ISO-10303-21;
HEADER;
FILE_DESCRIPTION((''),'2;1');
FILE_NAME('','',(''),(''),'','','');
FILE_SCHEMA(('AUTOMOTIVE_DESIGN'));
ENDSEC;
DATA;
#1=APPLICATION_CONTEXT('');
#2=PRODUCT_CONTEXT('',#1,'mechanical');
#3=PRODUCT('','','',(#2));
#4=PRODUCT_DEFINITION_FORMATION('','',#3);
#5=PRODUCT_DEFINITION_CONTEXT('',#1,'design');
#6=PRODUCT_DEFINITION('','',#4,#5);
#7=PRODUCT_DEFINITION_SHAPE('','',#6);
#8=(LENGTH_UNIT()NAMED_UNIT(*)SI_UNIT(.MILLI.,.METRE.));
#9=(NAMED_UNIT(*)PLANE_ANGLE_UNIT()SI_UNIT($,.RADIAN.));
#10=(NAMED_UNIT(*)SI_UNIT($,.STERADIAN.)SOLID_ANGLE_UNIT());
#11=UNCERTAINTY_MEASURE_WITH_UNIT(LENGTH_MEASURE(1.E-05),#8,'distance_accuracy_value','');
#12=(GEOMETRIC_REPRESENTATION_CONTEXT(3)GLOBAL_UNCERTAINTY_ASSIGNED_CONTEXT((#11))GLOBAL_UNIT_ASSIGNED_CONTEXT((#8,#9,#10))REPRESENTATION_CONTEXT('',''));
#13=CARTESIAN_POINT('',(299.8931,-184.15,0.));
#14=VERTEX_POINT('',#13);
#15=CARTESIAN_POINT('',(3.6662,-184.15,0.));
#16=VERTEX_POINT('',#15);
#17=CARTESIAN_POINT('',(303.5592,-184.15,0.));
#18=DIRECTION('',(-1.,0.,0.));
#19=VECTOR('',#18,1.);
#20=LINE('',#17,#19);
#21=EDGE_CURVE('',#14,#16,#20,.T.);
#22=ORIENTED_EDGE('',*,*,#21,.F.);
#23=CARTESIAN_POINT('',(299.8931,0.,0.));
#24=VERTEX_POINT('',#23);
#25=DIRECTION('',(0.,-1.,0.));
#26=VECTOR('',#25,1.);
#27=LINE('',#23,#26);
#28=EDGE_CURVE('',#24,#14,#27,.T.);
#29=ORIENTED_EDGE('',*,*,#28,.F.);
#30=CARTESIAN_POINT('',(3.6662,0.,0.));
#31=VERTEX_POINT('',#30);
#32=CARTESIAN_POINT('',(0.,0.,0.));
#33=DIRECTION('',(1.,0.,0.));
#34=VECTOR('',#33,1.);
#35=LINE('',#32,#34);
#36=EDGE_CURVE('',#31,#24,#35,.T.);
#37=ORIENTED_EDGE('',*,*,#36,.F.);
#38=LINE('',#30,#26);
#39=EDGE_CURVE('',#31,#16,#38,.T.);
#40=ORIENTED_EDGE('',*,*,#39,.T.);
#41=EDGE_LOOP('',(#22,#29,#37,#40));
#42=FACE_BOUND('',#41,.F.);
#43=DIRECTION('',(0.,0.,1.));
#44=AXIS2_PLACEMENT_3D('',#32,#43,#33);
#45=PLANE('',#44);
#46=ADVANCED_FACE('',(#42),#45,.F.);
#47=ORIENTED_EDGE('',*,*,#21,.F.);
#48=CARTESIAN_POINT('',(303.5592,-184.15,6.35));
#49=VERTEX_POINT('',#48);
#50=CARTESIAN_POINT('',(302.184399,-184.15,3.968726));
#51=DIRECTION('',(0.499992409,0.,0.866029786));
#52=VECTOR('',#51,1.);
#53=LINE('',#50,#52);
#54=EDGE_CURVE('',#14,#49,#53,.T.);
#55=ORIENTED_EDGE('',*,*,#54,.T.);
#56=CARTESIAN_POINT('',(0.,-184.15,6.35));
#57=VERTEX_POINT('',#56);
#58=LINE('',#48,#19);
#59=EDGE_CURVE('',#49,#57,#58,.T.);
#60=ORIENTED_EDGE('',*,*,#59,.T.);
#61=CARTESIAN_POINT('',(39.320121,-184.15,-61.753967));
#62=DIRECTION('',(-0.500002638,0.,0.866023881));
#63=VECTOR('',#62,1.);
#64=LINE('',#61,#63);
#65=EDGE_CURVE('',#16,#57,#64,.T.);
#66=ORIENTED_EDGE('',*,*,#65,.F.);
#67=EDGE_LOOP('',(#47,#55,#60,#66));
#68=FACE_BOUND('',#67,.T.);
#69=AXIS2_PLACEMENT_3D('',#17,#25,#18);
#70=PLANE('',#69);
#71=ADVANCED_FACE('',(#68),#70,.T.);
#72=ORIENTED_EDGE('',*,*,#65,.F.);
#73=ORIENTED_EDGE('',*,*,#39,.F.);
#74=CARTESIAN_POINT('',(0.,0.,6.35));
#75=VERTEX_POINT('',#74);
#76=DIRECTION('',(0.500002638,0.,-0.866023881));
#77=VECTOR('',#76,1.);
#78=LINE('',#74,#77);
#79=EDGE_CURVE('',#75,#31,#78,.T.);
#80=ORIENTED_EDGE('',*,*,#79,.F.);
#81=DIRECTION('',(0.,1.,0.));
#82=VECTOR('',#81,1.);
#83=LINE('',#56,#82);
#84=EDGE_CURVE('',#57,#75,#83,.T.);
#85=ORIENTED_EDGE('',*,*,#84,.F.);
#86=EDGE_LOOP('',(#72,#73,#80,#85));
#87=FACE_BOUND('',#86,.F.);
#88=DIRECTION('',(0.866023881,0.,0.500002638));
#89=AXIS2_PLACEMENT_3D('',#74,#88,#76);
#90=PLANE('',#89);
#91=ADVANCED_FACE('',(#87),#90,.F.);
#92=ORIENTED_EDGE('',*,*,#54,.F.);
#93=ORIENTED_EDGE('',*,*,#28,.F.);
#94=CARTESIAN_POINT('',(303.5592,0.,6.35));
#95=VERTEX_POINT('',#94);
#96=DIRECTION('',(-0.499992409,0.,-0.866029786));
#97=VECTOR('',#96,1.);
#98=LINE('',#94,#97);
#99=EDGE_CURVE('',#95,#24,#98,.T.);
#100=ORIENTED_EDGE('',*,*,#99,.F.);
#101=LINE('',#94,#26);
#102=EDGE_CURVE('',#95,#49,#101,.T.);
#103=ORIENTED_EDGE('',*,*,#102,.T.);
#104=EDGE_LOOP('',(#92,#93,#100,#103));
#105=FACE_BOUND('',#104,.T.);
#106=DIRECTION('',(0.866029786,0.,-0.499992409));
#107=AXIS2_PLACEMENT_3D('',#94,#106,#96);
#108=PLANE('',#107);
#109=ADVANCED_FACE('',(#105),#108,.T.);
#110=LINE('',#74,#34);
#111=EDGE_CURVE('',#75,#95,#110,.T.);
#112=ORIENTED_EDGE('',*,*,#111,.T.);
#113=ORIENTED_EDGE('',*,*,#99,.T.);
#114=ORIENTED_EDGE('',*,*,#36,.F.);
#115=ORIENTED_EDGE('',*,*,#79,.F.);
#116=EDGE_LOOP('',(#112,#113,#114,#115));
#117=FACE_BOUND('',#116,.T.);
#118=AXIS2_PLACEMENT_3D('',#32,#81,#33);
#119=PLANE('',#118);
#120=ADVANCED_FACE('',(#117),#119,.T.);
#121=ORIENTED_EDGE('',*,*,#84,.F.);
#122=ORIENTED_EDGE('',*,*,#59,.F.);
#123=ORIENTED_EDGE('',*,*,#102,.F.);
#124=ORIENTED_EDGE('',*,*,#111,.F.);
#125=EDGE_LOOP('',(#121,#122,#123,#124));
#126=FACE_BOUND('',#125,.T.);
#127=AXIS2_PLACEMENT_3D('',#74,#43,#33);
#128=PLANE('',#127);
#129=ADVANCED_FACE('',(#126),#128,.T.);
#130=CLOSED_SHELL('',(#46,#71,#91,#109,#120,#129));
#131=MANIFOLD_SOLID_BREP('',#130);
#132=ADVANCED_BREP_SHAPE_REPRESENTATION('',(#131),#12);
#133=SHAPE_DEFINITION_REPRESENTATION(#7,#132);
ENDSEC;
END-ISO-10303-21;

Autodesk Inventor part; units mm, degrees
ref_plane "YZ Plane" through (0, 0, 0) normal (1, 0, 0) x (0, 1, 0)
ref_plane "XZ Plane" through (0, 0, 0) normal (0, 1, 0) x (-1, 0, 0)
ref_plane "XY Plane" through (0, 0, 0) normal (0, 0, 1) x (1, 0, 0)
sketch "Sketch1" plane through (0, 0, 0) normal (0, 0, 1) x (1, 0, 0)
  line L0 (0, 0) -> (303.5592, 0)
  line L1 (303.5592, 0) -> (303.5592, -184.15)
  line L2 (303.5592, -184.15) -> (0, -184.15)
  line L3 (0, -184.15) -> (0, 0)
  line L4 (455.3388, 262.89) -> (303.5592, 0)
  line L5 (303.5592, 0) -> (0, 0)
  line L6 (0, 0) -> (-151.7796, 262.89)
  line L7 (-151.7796, 262.89) -> (0, 525.78)
  line L8 (0, 525.78) -> (303.5592, 525.78)
  line L9 (303.5592, 525.78) -> (455.3388, 262.89)
  point P0 (151.7796, 262.89)
  dimension "d1" = 184.15
  dimension "d18" = 525.78
extrude "Extrusion1" add sketch "Sketch1" along normal blind 6.35 contours L0 L1 L2 L3
sketch "Sketch4" plane through (0, 0, 0) normal (0, 1, 0) x (1, 0, 0)
  line L0 (303.5592, -6.35) -> (0, -6.35) construction
  line L1 (0, -6.35) -> (3.6662, 0)
  line L2 (0, 0) -> (303.5592, 0) construction
  line L3 (0, 0) -> (3.6662, 0)
  line L4 (0, 0) -> (0, -6.35) projected
  line L5 (0, -6.35) -> (0, 0)
  line L6 (303.5592, 0) -> (303.5592, -6.35) projected
  line L7 (303.5592, -6.35) -> (299.8931, 0)
  line L8 (299.8931, 0) -> (303.5592, 0)
  line L9 (303.5592, 0) -> (303.5592, -6.35)
  dimension "d19" = 30
  dimension "d20" = 30
extrude "Extrusion4" cut sketch "Sketch4" against normal through all
sketch "Sketch5" plane through (0, 0, 6.35) normal (0, 0, 1) x (1, 0, 0)
  line L0 (3.6662, 0) -> (299.8931, 0) projected
  line L1 (151.7796, 0) -> (151.7796, -72.075)
  line L2 (151.7796, -72.075) -> (131.7796, -92.075)
  line L3 (131.7796, -92.075) -> (151.7796, -112.075)
  line L4 (151.7796, -112.075) -> (151.7796, -184.15)
  line L5 (0, -184.15) -> (303.5592, -184.15) projected
  line L6 (151.7796, -184.15) -> (0, -184.15)
  line L7 (0, -184.15) -> (0, 0)
  line L8 (3.6662, -184.15) -> (3.6662, 0) projected
  line L9 (0, 0) -> (151.7796, 0)
  line L10 (151.7796, 0) -> (303.5592, 0)
  line L11 (303.5592, 0) -> (303.5592, -184.15)
  line L12 (303.5592, -184.15) -> (151.7796, -184.15)
  line L13 (151.7796, -184.15) -> (151.7796, 0)
  point P0 (0, -92.075)
  dimension "d23" = 40
  dimension "d24" = 20
extrude "Extrusion5" [suppressed]
properties part number "BA03" material "ABS Plastic"
